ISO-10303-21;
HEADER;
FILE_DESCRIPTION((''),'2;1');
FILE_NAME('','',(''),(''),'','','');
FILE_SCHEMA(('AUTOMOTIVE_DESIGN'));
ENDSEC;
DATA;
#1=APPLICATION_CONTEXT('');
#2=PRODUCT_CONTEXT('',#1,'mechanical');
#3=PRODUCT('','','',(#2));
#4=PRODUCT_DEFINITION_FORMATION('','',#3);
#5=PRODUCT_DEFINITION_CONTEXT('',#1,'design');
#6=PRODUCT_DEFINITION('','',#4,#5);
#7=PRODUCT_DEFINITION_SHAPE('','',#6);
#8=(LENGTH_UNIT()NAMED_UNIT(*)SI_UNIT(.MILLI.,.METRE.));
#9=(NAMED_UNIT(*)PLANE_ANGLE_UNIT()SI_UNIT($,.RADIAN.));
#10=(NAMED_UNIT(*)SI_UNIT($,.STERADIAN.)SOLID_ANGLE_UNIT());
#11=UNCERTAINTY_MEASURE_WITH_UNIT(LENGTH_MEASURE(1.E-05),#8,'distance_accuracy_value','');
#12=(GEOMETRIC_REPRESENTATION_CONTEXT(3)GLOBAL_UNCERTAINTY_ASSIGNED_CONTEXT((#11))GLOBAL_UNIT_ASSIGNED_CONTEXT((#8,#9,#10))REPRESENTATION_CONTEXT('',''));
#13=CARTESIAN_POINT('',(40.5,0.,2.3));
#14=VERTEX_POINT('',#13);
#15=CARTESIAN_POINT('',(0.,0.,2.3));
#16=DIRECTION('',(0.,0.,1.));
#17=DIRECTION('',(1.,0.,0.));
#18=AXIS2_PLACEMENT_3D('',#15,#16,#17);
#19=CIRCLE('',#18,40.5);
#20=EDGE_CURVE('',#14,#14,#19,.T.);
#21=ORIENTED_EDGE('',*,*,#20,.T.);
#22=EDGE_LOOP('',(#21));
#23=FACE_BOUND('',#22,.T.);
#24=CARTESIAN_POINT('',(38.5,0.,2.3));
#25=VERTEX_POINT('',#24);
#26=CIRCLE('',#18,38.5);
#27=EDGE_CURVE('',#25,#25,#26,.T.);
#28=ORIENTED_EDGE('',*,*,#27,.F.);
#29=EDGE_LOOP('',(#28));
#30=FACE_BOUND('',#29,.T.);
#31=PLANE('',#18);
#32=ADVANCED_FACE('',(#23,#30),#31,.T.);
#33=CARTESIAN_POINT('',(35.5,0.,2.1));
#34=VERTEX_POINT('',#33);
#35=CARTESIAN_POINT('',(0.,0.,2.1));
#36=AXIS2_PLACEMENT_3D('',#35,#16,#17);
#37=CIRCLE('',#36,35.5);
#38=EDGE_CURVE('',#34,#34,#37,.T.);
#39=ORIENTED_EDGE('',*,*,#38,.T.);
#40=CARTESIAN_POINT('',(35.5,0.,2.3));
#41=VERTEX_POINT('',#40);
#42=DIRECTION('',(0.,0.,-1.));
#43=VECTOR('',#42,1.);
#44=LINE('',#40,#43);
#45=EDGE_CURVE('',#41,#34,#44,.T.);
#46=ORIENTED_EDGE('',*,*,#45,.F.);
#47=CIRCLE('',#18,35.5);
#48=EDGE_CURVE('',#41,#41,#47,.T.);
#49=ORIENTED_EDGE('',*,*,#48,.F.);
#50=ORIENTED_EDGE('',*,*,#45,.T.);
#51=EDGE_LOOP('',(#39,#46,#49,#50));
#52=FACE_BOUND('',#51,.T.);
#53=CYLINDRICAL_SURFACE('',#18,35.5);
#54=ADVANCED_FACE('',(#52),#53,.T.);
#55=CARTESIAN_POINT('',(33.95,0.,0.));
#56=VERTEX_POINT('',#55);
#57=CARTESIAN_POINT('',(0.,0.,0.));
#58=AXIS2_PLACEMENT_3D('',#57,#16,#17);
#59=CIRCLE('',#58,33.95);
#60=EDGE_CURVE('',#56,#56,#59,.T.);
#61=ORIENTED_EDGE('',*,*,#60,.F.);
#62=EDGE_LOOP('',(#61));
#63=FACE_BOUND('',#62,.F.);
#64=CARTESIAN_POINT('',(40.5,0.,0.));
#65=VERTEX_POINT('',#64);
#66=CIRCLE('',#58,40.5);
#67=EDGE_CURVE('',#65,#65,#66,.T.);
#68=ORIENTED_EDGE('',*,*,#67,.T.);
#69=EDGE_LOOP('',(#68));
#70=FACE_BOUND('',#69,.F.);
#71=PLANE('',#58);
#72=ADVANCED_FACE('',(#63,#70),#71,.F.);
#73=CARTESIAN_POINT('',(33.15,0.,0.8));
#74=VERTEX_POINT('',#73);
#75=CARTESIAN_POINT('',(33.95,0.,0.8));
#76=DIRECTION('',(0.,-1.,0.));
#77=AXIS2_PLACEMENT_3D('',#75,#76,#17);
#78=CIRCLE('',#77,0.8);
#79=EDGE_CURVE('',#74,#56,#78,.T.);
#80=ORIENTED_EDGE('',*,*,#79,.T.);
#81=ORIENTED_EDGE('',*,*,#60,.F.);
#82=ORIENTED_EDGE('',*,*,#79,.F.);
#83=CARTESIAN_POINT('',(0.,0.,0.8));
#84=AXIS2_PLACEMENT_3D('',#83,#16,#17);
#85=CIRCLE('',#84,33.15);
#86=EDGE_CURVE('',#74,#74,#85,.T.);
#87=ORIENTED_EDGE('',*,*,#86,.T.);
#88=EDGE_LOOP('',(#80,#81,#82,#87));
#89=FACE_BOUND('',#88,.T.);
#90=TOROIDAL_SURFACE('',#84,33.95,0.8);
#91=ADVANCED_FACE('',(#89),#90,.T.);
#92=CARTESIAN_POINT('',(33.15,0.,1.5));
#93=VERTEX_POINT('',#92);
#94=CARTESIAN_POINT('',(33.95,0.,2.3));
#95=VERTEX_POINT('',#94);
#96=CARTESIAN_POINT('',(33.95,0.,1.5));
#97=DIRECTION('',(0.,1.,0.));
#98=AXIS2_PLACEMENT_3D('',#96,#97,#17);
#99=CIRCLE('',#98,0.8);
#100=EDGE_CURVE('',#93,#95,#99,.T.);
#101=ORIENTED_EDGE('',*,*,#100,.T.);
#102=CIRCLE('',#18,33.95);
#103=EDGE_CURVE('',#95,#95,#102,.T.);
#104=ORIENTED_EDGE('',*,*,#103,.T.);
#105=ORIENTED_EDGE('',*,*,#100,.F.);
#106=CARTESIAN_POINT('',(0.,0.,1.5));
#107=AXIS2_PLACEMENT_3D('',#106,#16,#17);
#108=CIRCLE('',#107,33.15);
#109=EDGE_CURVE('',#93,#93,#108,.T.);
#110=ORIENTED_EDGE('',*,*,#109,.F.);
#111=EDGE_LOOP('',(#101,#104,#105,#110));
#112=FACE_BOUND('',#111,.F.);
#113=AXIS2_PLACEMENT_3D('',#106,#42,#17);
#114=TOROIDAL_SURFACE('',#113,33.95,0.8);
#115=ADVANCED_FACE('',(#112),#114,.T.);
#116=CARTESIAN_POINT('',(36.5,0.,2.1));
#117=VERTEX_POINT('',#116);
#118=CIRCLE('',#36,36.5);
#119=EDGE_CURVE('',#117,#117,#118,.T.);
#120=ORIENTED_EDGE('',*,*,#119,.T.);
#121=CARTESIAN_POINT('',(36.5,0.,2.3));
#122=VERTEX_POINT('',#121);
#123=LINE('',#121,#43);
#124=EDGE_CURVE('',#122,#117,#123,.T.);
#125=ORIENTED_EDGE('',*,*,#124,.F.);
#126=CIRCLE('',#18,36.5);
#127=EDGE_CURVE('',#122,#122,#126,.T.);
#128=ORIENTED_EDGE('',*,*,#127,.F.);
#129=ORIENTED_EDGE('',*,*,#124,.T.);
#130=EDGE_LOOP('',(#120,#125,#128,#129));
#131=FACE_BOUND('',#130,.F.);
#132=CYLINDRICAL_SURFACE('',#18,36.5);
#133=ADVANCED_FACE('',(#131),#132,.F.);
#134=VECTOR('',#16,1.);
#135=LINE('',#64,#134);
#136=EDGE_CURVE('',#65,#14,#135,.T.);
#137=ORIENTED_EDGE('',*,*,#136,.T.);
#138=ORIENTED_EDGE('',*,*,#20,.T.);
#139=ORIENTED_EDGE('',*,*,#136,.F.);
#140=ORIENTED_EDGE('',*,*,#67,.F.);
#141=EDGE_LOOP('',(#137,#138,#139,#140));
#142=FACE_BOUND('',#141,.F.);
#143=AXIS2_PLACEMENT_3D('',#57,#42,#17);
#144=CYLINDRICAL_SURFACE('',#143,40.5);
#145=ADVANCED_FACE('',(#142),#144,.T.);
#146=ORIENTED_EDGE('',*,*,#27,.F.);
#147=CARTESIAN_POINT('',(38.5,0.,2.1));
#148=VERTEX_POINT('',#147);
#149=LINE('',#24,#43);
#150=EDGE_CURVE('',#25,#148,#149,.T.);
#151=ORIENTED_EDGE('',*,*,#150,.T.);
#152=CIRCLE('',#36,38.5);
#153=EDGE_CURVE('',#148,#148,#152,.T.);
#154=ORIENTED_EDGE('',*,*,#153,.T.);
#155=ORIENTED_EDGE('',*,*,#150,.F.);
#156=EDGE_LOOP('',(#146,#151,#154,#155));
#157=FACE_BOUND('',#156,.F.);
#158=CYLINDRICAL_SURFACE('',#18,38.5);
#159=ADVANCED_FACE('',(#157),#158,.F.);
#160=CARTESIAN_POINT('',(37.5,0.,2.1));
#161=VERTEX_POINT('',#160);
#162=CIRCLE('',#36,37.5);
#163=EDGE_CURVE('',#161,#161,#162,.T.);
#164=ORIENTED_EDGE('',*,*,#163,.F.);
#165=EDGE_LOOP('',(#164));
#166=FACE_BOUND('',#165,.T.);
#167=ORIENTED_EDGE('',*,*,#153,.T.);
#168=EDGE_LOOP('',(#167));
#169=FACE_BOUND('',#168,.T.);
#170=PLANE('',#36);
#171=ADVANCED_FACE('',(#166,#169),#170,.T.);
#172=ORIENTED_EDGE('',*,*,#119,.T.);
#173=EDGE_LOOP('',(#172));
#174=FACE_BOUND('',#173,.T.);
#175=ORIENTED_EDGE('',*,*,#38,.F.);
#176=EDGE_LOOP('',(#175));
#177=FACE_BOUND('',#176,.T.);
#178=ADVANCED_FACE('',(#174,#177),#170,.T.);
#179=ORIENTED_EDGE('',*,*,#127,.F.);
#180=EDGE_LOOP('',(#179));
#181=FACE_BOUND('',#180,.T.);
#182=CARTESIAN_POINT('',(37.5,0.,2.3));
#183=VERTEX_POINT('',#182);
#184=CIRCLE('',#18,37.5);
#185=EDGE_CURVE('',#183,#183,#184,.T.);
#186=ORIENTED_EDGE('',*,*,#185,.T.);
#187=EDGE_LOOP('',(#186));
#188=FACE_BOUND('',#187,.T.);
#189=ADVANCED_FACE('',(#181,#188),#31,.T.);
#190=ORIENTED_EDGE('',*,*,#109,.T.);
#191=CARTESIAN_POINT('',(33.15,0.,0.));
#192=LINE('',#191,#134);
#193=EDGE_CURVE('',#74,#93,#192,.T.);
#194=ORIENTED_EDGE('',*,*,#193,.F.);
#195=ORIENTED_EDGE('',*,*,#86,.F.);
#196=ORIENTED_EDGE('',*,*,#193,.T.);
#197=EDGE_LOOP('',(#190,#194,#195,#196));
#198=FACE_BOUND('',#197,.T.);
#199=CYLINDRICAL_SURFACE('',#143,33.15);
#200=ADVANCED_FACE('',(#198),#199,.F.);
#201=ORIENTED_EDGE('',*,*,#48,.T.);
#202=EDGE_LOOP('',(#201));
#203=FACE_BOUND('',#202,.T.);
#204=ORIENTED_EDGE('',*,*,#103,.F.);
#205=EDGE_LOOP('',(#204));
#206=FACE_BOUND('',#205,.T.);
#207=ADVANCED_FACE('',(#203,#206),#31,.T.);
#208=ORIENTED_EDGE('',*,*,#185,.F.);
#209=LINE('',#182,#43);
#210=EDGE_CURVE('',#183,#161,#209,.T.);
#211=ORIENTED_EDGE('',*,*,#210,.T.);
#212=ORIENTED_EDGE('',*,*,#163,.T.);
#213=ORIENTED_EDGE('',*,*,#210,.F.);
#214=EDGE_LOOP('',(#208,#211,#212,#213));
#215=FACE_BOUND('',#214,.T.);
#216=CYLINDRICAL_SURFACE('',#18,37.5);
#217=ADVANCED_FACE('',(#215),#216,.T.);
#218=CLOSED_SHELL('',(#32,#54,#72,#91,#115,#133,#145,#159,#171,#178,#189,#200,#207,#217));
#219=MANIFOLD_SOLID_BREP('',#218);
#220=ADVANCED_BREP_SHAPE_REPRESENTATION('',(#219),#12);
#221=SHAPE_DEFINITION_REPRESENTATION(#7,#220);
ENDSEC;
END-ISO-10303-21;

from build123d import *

# Parameters (mm, degrees)
F0_R     = 40.5
F0_R_2   = 33.15
F1_DEPTH = 2.3
F2_R     = 0.8
F3_R     = 38.5
F3_R_2   = 37.5
F3_R_3   = 36.5
F3_R_4   = 35.5
F4_DEPTH = 0.2


with BuildPart() as f1:
    # F0 (on Top) → F1 (new body)
    with BuildSketch(Plane.XY):
        Circle(F0_R)
        Circle(F0_R_2, mode=Mode.SUBTRACT)
    extrude(amount=F1_DEPTH)

    # F2
    f2_edges = [f1.edges().sort_by_distance(p)[0] for p in [
        (-33.15, 0, 2.3),
        (-33.15, 0, 0),
    ]]
    fillet(f2_edges, radius=F2_R)

    # F3 (on face) → F4 (cut)
    with BuildSketch(Plane.XY.offset(2.3)):
        Circle(F3_R)
        Circle(F3_R_2, mode=Mode.SUBTRACT)
        Circle(F3_R_3)
        Circle(F3_R_4, mode=Mode.SUBTRACT)
    extrude(amount=-F4_DEPTH, mode=Mode.SUBTRACT)


solid = f1.part
